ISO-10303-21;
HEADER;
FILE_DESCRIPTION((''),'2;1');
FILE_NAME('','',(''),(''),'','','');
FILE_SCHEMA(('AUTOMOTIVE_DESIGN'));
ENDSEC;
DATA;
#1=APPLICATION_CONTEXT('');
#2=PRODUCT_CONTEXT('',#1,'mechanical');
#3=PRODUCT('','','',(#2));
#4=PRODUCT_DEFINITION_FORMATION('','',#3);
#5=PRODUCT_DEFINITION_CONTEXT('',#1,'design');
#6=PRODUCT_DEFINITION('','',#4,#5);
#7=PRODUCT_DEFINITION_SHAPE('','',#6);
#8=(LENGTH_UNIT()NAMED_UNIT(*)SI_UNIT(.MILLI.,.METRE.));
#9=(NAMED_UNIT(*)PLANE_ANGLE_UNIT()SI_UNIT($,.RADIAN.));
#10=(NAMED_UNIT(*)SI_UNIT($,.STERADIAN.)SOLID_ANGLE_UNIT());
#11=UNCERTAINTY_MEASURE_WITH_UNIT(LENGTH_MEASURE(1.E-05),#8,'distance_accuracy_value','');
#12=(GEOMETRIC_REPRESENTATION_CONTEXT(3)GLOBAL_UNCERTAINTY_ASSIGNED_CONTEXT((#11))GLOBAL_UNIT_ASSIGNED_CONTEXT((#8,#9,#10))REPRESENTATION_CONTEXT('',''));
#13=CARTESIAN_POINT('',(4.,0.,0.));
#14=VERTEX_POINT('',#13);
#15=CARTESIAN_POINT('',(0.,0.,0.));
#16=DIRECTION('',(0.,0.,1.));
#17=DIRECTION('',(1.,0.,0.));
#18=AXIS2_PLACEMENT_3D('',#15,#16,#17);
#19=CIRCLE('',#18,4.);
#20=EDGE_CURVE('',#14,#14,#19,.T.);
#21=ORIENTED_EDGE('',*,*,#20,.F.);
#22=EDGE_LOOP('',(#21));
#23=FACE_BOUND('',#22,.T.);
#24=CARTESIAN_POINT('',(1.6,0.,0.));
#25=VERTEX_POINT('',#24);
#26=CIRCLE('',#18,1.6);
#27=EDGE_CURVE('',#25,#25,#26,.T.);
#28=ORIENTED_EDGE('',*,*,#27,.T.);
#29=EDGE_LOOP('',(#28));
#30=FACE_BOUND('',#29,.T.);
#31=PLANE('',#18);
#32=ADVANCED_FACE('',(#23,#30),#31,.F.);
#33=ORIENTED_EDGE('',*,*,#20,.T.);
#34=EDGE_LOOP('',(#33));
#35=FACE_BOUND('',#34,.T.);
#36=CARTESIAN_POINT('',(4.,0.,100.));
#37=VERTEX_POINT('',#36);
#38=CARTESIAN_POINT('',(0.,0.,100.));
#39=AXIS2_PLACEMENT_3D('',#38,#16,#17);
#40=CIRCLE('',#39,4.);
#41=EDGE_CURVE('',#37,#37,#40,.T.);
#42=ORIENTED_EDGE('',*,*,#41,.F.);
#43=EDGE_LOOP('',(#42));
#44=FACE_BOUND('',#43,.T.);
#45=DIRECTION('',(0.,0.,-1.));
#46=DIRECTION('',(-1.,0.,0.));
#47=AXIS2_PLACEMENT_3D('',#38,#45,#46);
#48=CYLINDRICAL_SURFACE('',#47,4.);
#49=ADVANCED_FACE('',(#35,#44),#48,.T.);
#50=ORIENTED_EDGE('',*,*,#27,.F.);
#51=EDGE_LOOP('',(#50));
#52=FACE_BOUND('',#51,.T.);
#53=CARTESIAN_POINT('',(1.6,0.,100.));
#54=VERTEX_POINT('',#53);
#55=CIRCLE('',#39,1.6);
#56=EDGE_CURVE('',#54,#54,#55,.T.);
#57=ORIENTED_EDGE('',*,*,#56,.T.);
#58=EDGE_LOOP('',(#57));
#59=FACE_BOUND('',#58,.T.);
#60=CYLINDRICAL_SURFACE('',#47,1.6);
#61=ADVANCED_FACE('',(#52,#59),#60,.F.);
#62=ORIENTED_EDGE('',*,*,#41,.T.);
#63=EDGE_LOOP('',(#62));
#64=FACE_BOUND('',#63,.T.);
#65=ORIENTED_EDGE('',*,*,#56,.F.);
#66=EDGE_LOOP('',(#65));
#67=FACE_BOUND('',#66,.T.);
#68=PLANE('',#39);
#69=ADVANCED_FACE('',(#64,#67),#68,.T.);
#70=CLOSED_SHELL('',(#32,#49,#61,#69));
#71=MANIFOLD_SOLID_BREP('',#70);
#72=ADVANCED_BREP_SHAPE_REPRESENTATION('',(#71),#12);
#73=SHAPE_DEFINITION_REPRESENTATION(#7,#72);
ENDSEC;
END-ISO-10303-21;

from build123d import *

# Parameters (mm, degrees)
SKETCH_1_R    = 4
SKETCH_1_R_2  = 1.6
F_100MM_DEPTH = 100


with BuildPart() as part:
    # 草图1 → 100mm铝柱 (new body)
    with BuildSketch(Plane.XY):
        Circle(SKETCH_1_R)
        Circle(SKETCH_1_R_2, mode=Mode.SUBTRACT)
    extrude(amount=F_100MM_DEPTH)


solid = part.part
